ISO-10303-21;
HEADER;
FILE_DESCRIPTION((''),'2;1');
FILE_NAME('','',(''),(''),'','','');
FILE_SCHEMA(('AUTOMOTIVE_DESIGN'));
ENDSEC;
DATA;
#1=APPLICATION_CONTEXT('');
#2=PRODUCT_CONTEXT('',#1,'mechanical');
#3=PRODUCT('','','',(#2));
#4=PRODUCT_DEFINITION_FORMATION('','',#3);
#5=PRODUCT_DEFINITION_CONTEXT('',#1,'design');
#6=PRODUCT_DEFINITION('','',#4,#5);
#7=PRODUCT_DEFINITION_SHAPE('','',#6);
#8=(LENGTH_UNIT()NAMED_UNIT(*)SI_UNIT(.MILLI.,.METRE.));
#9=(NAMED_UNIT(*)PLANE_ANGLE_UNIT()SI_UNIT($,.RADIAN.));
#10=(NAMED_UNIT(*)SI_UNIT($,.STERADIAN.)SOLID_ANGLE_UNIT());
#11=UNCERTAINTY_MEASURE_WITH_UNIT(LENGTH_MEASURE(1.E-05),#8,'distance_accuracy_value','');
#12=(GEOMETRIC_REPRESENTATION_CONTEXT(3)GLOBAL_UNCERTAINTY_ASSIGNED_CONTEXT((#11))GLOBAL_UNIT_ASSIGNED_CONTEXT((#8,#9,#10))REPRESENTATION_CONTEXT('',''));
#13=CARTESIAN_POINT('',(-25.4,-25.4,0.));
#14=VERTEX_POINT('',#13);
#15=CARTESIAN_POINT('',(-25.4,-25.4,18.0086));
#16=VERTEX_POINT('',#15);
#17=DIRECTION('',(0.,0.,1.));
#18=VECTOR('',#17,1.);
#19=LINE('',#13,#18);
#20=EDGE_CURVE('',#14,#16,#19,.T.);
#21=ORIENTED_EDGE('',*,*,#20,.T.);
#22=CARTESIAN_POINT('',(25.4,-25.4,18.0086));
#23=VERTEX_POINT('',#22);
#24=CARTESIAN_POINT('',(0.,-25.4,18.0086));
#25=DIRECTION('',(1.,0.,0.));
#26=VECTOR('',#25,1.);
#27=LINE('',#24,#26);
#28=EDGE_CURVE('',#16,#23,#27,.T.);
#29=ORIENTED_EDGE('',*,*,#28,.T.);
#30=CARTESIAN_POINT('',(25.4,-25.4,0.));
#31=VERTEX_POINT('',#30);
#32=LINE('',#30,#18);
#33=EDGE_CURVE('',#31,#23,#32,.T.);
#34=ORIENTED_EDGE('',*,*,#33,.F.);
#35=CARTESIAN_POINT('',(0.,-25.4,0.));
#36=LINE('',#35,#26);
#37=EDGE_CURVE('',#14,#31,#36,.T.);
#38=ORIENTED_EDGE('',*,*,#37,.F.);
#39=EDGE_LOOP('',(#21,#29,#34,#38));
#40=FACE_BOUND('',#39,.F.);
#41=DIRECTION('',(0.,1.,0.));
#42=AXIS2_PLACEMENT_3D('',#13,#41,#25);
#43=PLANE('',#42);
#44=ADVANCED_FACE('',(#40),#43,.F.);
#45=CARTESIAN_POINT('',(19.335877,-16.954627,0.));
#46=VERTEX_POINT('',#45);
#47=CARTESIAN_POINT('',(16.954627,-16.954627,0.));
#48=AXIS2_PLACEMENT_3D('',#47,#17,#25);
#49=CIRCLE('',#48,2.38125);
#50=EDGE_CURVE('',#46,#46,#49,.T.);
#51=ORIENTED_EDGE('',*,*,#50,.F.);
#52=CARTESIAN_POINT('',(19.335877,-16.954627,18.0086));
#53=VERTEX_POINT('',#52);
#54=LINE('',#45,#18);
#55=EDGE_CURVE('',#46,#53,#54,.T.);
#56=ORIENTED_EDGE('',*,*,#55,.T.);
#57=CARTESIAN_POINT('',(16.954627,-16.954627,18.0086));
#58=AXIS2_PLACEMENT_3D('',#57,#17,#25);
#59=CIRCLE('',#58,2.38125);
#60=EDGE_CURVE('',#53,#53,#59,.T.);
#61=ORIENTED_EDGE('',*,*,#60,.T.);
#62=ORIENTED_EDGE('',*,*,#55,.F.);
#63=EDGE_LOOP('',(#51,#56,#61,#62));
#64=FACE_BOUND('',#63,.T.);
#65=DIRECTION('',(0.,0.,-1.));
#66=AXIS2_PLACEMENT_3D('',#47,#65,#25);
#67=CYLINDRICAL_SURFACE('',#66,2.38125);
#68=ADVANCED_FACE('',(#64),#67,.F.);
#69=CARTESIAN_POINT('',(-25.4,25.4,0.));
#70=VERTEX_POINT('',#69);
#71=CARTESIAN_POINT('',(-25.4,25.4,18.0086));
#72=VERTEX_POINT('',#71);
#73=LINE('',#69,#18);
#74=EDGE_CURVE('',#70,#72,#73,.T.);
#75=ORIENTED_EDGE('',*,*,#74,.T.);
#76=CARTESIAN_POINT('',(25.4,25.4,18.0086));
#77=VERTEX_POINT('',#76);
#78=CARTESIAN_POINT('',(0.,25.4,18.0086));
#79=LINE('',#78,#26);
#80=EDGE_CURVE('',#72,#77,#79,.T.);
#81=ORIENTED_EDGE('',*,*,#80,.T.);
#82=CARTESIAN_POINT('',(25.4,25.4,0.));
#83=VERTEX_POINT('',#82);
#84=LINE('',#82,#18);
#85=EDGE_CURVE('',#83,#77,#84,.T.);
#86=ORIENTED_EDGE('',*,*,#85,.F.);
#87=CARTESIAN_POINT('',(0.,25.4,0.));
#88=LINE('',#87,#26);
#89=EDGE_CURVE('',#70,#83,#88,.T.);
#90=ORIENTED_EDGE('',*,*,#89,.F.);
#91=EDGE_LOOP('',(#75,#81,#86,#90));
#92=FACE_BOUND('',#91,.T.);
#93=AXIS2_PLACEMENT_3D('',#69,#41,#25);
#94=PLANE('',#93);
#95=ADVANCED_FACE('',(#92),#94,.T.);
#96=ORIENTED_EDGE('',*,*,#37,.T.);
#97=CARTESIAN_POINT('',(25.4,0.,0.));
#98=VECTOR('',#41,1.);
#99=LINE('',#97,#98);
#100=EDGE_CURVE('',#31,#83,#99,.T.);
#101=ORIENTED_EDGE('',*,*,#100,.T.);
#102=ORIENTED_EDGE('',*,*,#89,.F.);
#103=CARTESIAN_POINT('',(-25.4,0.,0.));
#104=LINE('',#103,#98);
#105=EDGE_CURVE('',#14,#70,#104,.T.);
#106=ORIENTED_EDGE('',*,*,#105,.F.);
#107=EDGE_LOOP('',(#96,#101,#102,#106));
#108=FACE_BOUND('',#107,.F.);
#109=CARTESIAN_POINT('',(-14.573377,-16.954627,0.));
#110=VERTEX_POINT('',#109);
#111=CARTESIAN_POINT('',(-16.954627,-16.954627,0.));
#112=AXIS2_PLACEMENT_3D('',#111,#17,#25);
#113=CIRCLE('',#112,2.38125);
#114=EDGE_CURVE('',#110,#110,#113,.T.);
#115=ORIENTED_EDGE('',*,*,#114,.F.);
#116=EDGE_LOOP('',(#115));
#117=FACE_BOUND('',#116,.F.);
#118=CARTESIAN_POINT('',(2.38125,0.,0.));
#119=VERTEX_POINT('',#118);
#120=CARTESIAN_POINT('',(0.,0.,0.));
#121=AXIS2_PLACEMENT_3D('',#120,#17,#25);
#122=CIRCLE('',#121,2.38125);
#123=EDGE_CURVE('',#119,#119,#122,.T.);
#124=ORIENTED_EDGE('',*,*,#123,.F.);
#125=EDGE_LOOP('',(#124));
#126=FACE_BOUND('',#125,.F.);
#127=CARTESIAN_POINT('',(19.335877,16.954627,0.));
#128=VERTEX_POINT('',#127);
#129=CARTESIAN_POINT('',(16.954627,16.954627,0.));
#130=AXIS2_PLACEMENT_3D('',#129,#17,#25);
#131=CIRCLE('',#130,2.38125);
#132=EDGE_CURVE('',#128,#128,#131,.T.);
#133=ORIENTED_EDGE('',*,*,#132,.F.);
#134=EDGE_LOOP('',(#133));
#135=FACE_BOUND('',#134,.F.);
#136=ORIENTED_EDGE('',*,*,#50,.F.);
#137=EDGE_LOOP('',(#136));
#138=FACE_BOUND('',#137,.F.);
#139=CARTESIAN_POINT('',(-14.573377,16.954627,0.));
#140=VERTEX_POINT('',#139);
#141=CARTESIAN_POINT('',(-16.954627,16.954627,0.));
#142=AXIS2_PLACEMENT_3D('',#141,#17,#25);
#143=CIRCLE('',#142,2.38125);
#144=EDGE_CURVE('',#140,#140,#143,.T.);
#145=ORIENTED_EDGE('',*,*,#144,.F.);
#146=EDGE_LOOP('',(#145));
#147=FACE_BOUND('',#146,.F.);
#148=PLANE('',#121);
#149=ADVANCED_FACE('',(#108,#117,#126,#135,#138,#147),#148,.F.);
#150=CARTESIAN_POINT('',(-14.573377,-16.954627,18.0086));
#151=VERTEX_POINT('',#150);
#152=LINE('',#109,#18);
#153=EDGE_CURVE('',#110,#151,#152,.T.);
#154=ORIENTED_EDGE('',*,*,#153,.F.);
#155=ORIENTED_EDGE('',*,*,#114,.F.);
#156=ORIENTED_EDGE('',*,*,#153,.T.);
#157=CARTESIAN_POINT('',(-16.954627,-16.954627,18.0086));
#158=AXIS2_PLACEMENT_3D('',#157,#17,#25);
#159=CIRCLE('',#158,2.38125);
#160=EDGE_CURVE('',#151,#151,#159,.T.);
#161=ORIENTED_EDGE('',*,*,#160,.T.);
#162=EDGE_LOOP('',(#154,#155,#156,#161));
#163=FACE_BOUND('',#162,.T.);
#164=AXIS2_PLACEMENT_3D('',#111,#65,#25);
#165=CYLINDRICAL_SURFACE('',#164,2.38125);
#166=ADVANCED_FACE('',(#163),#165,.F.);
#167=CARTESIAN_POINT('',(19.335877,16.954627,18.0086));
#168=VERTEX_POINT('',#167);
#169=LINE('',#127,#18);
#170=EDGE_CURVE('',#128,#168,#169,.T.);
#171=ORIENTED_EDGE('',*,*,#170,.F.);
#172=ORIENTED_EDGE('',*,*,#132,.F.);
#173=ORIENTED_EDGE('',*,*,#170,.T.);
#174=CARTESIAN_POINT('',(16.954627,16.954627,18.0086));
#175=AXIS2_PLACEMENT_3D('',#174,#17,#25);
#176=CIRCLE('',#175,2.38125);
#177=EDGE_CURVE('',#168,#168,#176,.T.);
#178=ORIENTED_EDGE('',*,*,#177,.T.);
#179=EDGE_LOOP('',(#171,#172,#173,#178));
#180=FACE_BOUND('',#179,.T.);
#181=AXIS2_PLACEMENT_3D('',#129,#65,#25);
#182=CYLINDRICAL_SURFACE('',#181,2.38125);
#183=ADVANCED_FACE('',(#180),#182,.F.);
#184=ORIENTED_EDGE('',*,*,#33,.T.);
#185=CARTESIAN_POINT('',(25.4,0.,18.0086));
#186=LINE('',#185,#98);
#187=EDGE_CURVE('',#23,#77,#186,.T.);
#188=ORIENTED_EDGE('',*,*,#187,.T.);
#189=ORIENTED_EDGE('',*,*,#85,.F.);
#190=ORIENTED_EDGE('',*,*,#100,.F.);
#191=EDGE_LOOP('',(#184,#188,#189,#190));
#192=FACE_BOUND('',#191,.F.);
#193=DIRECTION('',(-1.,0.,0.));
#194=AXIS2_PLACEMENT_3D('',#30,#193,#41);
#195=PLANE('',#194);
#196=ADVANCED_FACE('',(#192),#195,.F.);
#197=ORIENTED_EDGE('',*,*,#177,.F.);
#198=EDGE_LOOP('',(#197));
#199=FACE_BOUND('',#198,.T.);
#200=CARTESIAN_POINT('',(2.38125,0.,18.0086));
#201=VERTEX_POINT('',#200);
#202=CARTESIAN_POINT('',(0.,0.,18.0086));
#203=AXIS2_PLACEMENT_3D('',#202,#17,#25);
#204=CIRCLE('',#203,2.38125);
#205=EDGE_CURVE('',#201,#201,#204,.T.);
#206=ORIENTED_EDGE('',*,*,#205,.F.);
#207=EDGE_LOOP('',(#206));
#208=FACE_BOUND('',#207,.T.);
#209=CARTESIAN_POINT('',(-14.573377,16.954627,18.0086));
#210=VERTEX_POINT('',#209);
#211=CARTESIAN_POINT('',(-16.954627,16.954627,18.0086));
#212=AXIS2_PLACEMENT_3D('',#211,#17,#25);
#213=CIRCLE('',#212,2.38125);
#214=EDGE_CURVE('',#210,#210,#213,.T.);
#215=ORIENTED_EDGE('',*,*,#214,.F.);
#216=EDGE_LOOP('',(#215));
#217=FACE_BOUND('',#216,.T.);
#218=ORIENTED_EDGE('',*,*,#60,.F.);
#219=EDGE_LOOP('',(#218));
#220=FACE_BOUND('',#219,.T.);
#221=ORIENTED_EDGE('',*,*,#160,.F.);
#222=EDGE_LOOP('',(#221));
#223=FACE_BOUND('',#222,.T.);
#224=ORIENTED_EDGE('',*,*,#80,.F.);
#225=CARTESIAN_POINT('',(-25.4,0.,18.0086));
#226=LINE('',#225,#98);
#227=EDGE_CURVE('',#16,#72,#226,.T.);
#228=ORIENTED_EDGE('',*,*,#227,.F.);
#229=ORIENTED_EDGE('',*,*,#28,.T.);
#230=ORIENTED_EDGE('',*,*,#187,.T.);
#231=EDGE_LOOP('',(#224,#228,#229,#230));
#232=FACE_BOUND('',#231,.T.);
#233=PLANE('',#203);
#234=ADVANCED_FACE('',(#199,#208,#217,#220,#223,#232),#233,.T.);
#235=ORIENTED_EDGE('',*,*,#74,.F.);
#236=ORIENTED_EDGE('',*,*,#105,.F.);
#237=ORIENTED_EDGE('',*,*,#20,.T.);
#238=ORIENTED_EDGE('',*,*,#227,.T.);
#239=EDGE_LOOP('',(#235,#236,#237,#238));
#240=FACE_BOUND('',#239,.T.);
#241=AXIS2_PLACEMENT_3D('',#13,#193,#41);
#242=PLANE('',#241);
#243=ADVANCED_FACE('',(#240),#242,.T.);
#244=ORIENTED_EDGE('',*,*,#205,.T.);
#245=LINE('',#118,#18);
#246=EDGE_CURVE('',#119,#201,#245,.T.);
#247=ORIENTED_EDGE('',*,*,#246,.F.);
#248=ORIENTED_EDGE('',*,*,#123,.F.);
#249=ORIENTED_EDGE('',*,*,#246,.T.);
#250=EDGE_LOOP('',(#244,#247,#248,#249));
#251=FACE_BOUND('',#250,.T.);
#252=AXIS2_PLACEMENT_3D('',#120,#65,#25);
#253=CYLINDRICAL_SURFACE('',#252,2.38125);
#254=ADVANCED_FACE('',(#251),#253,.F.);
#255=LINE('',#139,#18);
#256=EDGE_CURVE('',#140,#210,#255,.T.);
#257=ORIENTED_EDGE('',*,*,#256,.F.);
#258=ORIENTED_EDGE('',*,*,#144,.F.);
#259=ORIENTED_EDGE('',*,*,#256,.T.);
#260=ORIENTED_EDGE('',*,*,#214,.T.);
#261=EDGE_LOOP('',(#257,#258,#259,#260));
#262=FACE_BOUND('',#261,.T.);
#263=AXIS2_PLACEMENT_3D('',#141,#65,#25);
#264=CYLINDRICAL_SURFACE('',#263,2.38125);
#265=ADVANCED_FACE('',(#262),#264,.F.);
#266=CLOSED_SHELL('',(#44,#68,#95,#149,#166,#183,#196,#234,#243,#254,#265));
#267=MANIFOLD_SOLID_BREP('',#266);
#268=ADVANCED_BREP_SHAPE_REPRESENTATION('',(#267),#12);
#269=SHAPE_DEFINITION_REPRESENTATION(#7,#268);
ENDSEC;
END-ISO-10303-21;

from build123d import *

# Parameters (mm, degrees)
F0_W     = 50.8
F0_H     = 50.8
F0_R     = 2.38125
F1_DEPTH = 18.0086


with BuildPart() as f1:
    # F0 (on Top) → F1 (new body)
    with BuildSketch(Plane.XY):
        Rectangle(F0_W, F0_H)
        with Locations((-16.954627, -16.954627)):
            Circle(F0_R, mode=Mode.SUBTRACT)
        Circle(F0_R, mode=Mode.SUBTRACT)
        with Locations((16.954627, -16.954627)):
            Circle(F0_R, mode=Mode.SUBTRACT)
        with Locations((-16.954627, 16.954627)):
            Circle(F0_R, mode=Mode.SUBTRACT)
        with Locations((16.954627, 16.954627)):
            Circle(F0_R, mode=Mode.SUBTRACT)
    extrude(amount=F1_DEPTH)


solid = f1.part
